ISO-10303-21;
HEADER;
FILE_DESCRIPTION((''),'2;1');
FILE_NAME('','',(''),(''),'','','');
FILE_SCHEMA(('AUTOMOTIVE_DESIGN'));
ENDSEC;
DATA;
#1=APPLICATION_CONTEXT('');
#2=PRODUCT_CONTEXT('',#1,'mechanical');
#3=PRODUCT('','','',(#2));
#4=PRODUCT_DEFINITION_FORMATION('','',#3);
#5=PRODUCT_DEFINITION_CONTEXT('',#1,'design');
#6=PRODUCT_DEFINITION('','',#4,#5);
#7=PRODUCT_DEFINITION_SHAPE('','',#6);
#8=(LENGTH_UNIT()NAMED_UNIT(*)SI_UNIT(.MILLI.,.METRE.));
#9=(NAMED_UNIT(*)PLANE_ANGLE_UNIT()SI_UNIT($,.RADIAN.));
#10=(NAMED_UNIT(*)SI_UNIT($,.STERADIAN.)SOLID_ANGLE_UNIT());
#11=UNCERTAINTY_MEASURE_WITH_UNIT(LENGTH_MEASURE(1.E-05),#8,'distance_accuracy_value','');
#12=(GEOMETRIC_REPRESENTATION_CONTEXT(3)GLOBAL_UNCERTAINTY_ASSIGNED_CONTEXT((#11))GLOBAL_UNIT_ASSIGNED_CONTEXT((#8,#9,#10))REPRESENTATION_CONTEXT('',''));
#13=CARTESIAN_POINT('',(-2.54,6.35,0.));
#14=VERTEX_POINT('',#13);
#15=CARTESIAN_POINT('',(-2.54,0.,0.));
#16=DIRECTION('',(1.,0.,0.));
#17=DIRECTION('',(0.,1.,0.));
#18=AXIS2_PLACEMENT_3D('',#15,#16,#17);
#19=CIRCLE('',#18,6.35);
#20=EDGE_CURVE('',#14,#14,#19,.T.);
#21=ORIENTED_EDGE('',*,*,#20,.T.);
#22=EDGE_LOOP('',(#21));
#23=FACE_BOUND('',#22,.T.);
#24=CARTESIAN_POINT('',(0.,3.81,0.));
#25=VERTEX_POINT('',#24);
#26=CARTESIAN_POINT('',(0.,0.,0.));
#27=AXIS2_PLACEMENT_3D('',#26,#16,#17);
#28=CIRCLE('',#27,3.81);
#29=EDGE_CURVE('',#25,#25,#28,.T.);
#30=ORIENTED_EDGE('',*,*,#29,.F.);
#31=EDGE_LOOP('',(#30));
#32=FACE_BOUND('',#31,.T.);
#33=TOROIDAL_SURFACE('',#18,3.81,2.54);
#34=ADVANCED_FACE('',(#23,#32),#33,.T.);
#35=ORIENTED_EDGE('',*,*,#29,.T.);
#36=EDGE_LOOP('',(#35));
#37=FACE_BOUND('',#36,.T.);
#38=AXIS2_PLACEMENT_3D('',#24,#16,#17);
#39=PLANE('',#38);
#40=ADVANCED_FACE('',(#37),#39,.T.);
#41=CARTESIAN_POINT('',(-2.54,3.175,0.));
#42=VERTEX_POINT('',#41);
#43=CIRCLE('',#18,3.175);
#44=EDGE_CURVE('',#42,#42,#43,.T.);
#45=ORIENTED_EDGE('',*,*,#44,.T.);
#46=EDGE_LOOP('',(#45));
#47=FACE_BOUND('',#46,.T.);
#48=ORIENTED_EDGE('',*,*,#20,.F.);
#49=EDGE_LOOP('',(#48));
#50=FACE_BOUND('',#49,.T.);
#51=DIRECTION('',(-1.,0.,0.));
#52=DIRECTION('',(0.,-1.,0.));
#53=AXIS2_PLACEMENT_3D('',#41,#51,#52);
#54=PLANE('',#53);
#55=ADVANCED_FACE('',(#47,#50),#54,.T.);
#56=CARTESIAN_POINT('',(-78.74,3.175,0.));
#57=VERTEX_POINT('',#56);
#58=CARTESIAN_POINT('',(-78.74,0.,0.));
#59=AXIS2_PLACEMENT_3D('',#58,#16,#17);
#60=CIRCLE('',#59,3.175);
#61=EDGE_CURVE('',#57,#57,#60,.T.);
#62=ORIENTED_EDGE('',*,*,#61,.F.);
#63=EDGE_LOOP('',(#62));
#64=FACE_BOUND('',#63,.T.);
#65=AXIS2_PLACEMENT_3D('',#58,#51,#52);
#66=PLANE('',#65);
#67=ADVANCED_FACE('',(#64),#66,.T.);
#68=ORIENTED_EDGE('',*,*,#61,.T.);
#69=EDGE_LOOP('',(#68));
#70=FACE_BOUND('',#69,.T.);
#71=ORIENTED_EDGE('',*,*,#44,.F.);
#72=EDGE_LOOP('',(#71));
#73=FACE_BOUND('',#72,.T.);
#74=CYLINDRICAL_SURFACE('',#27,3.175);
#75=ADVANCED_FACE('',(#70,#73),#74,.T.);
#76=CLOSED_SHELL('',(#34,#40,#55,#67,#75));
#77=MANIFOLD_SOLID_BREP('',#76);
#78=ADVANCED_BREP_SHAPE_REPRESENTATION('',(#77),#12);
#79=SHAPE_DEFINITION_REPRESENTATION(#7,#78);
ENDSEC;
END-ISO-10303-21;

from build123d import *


with BuildPart() as part:
    # Sketch1 → Revolve1 (revolve)
    with BuildSketch(Plane.XY):
        with BuildLine():
            Line((0, 0), (-78.74, 0))
            Line((-78.74, 0), (-78.74, 3.175))
            Line((-78.74, 3.175), (-2.54, 3.175))
            Line((-2.54, 3.175), (-2.54, 6.35))
            ThreePointArc((-2.54, 6.35), (-0.743948776, 5.606051224), (0, 3.81))
            Line((0, 3.81), (0, 0))
        make_face()
    revolve(axis=Axis((0, 0, 0), (-1, 0, 0)))


solid = part.part
